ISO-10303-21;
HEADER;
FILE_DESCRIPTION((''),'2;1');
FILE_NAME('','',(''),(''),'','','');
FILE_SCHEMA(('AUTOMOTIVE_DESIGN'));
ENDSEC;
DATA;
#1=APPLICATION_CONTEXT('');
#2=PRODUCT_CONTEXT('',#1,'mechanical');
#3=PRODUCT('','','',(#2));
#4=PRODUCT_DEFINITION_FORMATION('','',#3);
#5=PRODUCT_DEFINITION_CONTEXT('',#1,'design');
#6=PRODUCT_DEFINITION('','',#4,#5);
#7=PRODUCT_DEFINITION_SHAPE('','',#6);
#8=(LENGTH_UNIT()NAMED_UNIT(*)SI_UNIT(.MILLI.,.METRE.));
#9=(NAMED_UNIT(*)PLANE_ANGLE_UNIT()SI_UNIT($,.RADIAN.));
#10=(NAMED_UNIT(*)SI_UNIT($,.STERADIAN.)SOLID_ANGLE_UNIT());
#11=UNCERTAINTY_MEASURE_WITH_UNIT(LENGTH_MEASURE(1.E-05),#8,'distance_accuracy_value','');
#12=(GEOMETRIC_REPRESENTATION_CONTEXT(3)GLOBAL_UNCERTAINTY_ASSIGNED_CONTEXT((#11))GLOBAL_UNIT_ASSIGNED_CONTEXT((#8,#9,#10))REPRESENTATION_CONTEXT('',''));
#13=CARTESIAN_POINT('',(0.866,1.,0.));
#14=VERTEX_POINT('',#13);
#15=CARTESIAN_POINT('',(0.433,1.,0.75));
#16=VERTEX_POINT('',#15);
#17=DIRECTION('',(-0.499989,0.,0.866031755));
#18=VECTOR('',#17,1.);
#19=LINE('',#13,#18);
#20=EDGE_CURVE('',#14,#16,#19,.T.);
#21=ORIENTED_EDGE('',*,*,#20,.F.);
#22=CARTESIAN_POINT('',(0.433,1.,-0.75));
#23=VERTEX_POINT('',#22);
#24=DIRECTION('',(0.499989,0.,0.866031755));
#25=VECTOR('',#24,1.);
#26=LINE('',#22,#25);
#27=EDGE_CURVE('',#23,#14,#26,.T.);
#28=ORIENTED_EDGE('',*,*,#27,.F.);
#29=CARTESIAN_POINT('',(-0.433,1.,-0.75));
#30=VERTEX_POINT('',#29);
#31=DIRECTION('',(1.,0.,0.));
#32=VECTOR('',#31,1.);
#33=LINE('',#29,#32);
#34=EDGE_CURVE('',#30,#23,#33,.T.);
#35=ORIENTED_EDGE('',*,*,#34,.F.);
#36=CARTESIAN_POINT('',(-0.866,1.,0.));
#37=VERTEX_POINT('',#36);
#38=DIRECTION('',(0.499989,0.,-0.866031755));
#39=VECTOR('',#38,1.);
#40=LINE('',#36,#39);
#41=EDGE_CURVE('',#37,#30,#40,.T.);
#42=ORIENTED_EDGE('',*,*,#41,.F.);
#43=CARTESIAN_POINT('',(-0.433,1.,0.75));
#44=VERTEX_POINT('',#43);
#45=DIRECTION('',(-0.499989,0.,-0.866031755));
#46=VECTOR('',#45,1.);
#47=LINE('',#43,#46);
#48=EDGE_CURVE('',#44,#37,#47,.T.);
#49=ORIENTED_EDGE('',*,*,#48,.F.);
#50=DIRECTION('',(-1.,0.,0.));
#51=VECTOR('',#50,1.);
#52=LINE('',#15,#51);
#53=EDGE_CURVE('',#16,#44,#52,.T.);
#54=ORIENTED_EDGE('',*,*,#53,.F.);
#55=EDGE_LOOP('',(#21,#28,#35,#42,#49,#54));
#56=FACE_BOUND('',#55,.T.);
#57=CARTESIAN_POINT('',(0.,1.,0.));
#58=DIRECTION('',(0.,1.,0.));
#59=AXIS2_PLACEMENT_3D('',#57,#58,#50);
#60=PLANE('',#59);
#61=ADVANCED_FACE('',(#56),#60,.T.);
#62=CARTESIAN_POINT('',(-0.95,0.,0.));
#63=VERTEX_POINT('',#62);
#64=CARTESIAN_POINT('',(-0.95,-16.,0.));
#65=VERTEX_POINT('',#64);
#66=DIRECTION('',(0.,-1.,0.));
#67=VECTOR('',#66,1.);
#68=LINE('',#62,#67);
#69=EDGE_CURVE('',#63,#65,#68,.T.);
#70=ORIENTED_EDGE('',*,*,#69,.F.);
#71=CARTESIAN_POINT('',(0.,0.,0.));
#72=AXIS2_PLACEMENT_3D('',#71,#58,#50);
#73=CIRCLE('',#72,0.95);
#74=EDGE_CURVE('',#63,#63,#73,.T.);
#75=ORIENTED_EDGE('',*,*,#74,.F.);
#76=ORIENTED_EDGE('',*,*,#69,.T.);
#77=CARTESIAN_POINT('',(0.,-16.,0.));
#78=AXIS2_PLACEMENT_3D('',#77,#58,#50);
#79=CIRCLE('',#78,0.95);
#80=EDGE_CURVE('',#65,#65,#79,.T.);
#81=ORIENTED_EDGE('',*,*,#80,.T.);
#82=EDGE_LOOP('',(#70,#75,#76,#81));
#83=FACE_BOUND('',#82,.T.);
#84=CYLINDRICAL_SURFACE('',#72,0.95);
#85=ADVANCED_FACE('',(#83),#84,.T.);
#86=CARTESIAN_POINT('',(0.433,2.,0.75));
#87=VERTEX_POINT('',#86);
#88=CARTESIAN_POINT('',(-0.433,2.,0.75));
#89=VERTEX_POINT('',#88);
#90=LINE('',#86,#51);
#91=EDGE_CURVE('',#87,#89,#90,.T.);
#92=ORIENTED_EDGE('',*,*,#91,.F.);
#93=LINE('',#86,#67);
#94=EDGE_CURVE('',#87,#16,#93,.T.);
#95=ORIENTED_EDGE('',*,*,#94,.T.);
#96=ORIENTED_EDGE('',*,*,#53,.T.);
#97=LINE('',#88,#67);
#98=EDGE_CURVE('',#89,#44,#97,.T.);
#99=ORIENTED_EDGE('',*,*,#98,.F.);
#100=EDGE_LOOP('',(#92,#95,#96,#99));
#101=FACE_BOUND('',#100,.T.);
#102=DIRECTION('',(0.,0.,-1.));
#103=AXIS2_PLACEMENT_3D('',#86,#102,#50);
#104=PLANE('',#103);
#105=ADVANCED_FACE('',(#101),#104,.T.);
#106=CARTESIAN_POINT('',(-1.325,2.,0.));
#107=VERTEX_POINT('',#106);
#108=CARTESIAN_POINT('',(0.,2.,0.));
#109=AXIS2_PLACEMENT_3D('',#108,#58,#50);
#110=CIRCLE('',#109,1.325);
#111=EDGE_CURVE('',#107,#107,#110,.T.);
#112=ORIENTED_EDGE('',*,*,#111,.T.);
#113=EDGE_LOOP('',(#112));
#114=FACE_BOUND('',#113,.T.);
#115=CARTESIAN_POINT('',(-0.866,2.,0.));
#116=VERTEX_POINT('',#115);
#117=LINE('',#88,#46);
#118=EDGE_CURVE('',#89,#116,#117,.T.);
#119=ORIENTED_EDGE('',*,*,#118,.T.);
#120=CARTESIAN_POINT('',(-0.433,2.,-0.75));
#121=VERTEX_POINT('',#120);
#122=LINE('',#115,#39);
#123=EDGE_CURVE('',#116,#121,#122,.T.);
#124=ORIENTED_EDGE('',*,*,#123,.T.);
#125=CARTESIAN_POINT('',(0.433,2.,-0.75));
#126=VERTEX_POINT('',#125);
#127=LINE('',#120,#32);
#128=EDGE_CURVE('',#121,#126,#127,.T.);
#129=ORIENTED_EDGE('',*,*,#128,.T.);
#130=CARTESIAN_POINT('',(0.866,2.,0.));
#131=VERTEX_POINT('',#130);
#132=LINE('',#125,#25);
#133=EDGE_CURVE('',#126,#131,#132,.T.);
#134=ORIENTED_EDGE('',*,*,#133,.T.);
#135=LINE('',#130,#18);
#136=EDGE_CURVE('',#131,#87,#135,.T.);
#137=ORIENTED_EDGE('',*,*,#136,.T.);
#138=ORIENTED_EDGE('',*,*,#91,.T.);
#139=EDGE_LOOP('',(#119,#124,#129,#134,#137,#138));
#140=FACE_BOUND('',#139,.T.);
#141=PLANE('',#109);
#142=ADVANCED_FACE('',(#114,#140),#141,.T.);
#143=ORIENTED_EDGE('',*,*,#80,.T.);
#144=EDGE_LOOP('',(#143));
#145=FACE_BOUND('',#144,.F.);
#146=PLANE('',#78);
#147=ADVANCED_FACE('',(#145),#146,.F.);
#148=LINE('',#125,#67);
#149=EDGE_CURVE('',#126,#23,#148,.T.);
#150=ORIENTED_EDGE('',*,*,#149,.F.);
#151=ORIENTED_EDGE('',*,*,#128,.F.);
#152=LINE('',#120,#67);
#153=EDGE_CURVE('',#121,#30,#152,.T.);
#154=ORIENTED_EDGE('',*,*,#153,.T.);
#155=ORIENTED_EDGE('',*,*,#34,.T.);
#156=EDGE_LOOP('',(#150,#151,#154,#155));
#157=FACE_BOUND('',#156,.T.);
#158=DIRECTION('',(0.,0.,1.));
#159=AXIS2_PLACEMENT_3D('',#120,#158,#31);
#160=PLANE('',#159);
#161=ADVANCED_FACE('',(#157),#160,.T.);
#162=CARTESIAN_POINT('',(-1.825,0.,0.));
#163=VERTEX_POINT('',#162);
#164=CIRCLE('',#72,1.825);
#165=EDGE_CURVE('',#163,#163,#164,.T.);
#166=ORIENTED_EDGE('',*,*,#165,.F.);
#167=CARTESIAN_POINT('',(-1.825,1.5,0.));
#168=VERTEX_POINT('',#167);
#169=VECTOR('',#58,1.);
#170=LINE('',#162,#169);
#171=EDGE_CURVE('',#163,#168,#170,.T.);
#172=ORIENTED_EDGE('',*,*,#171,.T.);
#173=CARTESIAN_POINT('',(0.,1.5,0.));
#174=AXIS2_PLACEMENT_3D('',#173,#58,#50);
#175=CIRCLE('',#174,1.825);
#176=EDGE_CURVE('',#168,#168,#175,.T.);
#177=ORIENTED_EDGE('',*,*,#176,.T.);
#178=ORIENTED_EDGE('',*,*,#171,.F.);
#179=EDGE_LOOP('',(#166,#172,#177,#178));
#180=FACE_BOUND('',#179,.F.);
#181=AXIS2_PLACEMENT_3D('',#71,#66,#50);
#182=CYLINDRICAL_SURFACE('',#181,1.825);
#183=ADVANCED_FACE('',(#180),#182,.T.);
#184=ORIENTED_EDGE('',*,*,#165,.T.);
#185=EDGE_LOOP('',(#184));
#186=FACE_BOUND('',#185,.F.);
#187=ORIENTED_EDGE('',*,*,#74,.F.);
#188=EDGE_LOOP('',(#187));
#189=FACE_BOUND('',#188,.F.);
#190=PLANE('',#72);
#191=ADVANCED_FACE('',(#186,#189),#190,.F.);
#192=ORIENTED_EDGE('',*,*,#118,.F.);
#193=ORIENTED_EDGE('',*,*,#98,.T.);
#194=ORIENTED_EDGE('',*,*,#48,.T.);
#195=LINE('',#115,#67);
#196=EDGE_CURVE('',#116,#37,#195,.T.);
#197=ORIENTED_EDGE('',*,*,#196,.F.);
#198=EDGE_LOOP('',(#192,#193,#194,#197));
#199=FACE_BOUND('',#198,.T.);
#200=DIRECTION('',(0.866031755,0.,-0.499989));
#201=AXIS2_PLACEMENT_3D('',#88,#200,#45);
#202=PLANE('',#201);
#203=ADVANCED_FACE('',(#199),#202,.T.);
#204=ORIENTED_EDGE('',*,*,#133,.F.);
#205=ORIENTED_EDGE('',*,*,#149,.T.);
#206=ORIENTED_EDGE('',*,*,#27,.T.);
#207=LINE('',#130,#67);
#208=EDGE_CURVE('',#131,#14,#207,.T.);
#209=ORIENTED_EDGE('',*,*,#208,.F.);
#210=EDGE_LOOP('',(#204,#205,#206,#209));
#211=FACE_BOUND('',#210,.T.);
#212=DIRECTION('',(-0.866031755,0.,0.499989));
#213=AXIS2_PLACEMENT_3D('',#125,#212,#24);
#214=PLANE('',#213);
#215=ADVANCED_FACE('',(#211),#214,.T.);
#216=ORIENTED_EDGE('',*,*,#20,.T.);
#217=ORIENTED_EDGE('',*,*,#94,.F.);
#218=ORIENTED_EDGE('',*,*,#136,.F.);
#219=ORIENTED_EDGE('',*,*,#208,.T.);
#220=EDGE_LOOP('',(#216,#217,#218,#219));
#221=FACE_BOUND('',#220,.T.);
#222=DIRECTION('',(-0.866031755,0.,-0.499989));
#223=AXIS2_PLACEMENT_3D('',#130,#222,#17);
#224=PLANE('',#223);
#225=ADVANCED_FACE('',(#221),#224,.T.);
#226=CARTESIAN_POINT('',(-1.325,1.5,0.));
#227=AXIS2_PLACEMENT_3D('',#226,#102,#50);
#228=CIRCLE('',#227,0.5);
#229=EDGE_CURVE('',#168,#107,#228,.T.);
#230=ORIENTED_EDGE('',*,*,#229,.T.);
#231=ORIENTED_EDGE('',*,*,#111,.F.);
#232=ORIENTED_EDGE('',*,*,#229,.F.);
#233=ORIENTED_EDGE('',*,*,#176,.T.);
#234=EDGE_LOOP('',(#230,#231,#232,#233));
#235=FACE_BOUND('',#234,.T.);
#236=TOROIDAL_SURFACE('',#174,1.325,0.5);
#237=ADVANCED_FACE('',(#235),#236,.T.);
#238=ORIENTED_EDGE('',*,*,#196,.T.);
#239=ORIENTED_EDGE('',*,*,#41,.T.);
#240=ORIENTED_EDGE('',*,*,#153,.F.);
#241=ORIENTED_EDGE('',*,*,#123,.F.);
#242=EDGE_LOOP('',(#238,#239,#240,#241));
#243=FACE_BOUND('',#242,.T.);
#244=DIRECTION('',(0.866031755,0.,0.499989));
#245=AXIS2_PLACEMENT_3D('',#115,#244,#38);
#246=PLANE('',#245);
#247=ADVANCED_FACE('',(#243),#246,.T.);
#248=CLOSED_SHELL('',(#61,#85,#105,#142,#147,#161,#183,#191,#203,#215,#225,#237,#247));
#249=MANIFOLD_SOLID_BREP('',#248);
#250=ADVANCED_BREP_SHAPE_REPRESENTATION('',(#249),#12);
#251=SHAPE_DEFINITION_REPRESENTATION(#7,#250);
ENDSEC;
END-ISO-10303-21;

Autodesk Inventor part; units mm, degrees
ref_plane "YZ Plane" through (0, 0, 0) normal (1, 0, 0) x (0, 1, 0)
ref_plane "XZ Plane" through (0, 0, 0) normal (0, 1, 0) x (-1, 0, 0)
ref_plane "XY Plane" through (0, 0, 0) normal (0, 0, 1) x (1, 0, 0)
sketch "Sketch1" plane through (0, 0, 0) normal (0, 1, 0) x (-1, 0, 0)
  circle A0 centre (0, 0) radius 0.95
  circle A1 centre (0, 0) radius 1.825
  line L0 (0.433, -0.75) -> (-0.433, -0.75)
  line L1 (-0.433, -0.75) -> (-0.866, 0)
  line L2 (-0.866, 0) -> (-0.433, 0.75)
  line L3 (-0.433, 0.75) -> (0.433, 0.75)
  line L4 (0.433, 0.75) -> (0.866, 0)
  line L5 (0.866, 0) -> (0.433, -0.75)
  dimension "d0" = 1.9
  dimension "d1" = 3.65
  dimension "d8" = 1.5
extrude "Extrusion1" add sketch "Sketch1" along normal blind 2 contours A0 | A1 | L0 L1 L2 L3 L4 L5
extrude "Extrusion2" add sketch "Sketch1" against normal blind 16 contours A0 | L0 L1 L2 L3 L4 L5
extrude "Extrusion3" cut sketch "Sketch1" against normal blind 1 from surface at 2 contours L0 L1 L2 L3 L4 L5
fillet "Fillet1" radius 0.5 1 edges at (1.825, 2, 0)
thread "Thread2" size "M2x0.4" class "6g" standard "ANSI Metric M Profile" full length
equation "\"d4\" = length"
equation "\"length\" = 16"
properties part number "M2x16"
